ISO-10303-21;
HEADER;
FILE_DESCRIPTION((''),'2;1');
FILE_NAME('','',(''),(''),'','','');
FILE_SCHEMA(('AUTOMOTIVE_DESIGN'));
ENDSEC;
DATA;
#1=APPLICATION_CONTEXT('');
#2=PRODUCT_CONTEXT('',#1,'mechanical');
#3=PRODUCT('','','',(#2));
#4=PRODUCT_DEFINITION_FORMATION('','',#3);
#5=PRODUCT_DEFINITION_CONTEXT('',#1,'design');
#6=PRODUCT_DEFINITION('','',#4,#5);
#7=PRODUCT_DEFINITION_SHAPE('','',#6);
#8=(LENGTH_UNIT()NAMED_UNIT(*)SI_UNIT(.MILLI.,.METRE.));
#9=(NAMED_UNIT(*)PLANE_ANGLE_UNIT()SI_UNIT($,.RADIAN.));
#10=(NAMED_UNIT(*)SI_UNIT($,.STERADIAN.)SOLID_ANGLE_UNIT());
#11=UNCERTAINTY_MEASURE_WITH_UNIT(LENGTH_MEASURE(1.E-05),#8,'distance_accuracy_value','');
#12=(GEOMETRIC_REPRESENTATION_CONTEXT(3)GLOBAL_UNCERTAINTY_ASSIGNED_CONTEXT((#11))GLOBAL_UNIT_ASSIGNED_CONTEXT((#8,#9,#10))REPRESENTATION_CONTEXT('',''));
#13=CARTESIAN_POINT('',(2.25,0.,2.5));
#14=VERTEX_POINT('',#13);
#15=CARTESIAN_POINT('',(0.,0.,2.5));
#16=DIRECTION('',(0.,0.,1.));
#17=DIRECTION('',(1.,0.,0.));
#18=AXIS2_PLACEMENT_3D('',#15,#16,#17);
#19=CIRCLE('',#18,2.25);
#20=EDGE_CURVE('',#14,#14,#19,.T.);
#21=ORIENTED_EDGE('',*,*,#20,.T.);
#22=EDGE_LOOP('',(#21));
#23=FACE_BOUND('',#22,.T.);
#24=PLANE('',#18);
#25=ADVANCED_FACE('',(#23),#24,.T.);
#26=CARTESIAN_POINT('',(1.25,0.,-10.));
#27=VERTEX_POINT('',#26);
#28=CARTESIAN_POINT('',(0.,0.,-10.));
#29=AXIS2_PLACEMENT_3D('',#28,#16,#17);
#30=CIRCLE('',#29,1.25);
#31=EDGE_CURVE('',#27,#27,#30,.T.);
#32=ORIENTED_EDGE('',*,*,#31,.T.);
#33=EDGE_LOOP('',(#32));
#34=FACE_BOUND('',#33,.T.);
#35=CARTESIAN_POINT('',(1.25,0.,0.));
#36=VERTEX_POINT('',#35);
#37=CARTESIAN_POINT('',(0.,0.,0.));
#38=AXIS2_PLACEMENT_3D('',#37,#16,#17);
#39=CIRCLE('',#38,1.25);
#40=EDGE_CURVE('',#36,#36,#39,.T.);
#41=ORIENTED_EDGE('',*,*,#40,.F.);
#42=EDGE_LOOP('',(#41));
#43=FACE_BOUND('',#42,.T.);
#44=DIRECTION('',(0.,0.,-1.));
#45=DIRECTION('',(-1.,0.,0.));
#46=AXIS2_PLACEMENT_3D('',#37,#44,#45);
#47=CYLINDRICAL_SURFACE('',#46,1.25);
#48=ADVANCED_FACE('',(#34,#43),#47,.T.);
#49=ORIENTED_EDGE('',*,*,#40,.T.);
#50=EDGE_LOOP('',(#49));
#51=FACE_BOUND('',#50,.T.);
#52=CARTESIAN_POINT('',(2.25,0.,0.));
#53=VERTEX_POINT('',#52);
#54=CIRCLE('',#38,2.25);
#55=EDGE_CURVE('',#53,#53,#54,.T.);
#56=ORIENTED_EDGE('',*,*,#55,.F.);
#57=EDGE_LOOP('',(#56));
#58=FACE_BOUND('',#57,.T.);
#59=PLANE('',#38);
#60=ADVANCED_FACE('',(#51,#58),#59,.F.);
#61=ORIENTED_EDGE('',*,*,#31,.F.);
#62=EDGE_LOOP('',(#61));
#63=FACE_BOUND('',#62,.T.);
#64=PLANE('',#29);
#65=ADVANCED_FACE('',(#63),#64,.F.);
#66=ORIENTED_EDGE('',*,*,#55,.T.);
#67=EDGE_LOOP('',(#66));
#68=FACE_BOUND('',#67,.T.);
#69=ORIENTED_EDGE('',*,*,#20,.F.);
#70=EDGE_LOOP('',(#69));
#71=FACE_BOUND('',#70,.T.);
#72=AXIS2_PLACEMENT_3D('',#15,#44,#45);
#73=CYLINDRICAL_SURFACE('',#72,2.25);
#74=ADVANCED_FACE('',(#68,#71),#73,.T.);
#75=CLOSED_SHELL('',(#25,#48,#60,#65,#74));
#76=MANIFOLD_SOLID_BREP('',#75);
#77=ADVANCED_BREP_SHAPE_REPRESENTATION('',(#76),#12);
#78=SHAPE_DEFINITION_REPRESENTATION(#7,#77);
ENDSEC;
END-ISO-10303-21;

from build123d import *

# Parameters (mm, degrees)
SKETCH1_R                                = 2.25
ISO4762_M2P5_HEAD_ENVELOPE_DEPTH         = 2.5
M2P5X0P45X10_THREAD_MAJOR_ENVELOPE_START = -10
SKETCH2_R                                = 1.25
M2P5X0P45X10_THREAD_MAJOR_ENVELOPE_DEPTH = 10


with BuildPart() as part:
    # Sketch1 → ISO4762_M2p5_Head_Envelope (new body)
    with BuildSketch(Plane.XY):
        Circle(SKETCH1_R)
    extrude(amount=ISO4762_M2P5_HEAD_ENVELOPE_DEPTH)

    # Sketch2 → M2p5x0p45x10_Thread_Major_Envelope (add)
    with BuildSketch(Plane.XY.offset(M2P5X0P45X10_THREAD_MAJOR_ENVELOPE_START)):
        Circle(SKETCH2_R)
    extrude(amount=M2P5X0P45X10_THREAD_MAJOR_ENVELOPE_DEPTH)


solid = part.part
